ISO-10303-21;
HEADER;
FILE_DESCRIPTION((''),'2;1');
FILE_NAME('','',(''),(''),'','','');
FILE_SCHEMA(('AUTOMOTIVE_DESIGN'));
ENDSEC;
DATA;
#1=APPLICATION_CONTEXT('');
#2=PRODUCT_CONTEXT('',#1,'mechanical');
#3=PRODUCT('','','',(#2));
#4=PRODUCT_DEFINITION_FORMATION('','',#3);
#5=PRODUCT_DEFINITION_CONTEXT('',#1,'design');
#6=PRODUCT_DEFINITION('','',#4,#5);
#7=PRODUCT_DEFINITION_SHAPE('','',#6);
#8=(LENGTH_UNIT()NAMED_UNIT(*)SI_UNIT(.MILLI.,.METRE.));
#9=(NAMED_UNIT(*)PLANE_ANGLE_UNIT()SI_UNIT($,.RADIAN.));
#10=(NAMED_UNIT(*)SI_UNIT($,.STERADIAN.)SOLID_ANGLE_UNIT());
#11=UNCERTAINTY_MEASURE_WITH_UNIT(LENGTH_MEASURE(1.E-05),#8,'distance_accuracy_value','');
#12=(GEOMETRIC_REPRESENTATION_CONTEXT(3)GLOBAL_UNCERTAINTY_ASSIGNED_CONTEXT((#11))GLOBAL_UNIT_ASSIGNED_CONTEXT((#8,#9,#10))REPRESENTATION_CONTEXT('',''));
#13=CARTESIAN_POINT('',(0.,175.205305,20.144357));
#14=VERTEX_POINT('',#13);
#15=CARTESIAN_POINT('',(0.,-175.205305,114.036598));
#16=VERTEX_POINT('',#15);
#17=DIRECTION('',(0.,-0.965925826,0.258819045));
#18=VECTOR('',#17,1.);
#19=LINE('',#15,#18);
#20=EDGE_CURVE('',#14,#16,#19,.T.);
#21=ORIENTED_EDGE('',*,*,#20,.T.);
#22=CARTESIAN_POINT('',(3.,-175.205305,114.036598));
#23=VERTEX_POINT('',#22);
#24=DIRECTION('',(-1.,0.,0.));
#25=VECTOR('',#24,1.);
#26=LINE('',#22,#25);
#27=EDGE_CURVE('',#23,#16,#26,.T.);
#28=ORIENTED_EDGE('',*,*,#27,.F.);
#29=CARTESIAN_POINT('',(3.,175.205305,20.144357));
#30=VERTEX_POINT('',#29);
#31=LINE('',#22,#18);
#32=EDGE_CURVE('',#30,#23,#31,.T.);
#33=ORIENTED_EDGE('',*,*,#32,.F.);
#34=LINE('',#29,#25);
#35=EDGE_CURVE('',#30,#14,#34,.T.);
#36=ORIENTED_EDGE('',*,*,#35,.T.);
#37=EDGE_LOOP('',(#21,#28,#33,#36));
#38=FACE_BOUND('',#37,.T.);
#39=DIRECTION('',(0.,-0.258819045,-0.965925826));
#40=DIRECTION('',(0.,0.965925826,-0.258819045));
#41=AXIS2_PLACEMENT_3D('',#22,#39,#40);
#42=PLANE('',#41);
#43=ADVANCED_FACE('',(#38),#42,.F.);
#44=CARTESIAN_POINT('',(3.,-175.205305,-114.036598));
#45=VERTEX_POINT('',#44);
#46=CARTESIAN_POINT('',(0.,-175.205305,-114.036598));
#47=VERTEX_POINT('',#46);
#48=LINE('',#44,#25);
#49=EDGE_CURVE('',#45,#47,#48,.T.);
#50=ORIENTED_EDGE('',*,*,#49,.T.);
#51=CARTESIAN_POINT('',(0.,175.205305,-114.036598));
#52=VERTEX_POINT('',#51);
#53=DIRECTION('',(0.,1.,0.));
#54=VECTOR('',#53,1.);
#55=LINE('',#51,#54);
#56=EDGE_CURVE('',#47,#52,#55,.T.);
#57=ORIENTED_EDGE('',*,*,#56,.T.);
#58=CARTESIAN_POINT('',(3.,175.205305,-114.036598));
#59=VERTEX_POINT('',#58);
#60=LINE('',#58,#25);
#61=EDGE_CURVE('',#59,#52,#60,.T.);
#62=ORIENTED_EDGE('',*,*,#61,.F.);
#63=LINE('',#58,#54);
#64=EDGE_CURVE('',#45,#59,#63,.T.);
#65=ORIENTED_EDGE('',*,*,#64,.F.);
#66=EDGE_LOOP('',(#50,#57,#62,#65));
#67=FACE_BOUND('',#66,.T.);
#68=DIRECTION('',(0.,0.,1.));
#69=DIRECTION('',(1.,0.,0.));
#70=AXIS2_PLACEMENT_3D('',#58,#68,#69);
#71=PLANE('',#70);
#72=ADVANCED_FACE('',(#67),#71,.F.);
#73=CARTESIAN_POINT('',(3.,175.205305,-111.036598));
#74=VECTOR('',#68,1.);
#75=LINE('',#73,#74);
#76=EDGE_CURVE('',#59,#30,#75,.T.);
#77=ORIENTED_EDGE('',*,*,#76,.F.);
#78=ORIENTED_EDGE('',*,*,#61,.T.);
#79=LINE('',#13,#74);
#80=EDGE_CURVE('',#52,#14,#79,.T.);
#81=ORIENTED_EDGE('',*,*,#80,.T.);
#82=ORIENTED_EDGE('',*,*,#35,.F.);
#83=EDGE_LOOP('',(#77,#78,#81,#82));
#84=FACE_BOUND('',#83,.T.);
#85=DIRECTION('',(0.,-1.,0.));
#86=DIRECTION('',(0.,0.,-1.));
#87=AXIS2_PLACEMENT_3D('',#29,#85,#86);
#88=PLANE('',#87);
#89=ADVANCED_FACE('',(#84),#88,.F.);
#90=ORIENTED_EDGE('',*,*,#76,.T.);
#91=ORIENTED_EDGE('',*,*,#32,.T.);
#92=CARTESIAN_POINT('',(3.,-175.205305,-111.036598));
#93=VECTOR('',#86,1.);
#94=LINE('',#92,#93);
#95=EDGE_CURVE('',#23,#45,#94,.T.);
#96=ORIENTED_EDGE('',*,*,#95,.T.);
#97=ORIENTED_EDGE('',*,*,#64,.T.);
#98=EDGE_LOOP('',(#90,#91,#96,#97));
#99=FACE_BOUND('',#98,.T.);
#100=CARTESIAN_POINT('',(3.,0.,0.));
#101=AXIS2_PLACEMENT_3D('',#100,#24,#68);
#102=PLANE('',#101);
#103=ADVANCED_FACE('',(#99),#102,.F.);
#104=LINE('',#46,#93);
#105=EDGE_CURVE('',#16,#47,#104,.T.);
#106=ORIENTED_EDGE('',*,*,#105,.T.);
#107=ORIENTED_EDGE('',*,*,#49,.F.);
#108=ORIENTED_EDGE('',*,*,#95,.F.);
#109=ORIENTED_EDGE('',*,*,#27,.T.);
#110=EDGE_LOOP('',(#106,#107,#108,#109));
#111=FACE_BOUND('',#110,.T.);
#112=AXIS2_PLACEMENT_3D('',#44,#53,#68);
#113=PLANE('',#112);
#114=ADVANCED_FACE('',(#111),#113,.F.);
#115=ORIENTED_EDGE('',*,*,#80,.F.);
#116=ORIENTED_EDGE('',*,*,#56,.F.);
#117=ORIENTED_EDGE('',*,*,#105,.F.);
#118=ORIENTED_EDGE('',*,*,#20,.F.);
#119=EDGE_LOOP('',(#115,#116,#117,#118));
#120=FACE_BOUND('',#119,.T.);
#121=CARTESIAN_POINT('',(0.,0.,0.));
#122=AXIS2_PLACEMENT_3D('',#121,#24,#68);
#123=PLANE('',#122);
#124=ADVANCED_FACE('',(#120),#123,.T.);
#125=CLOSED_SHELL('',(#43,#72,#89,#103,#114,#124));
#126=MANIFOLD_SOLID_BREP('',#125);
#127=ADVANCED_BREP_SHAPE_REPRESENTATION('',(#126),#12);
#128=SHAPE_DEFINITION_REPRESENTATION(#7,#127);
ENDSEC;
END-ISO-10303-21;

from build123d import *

# Parameters (mm, degrees)
BOSS_EXTRUDE1_DEPTH = 3


with BuildPart() as part:
    # Sketch1 → Boss-Extrude1 (new body)
    with BuildSketch(Plane(origin=(0, 0, 0), x_dir=(0, 0, -1), z_dir=(1, 0, 0))):
        Polygon((-20.144357354, 175.205305412), (111.036597544, 175.205305412), (114.036597544, 175.205305412), (114.036597544, -175.205305412), (111.036597544, -175.205305412), (-114.036597544, -175.205305412), align=None)
    extrude(amount=BOSS_EXTRUDE1_DEPTH)


solid = part.part
